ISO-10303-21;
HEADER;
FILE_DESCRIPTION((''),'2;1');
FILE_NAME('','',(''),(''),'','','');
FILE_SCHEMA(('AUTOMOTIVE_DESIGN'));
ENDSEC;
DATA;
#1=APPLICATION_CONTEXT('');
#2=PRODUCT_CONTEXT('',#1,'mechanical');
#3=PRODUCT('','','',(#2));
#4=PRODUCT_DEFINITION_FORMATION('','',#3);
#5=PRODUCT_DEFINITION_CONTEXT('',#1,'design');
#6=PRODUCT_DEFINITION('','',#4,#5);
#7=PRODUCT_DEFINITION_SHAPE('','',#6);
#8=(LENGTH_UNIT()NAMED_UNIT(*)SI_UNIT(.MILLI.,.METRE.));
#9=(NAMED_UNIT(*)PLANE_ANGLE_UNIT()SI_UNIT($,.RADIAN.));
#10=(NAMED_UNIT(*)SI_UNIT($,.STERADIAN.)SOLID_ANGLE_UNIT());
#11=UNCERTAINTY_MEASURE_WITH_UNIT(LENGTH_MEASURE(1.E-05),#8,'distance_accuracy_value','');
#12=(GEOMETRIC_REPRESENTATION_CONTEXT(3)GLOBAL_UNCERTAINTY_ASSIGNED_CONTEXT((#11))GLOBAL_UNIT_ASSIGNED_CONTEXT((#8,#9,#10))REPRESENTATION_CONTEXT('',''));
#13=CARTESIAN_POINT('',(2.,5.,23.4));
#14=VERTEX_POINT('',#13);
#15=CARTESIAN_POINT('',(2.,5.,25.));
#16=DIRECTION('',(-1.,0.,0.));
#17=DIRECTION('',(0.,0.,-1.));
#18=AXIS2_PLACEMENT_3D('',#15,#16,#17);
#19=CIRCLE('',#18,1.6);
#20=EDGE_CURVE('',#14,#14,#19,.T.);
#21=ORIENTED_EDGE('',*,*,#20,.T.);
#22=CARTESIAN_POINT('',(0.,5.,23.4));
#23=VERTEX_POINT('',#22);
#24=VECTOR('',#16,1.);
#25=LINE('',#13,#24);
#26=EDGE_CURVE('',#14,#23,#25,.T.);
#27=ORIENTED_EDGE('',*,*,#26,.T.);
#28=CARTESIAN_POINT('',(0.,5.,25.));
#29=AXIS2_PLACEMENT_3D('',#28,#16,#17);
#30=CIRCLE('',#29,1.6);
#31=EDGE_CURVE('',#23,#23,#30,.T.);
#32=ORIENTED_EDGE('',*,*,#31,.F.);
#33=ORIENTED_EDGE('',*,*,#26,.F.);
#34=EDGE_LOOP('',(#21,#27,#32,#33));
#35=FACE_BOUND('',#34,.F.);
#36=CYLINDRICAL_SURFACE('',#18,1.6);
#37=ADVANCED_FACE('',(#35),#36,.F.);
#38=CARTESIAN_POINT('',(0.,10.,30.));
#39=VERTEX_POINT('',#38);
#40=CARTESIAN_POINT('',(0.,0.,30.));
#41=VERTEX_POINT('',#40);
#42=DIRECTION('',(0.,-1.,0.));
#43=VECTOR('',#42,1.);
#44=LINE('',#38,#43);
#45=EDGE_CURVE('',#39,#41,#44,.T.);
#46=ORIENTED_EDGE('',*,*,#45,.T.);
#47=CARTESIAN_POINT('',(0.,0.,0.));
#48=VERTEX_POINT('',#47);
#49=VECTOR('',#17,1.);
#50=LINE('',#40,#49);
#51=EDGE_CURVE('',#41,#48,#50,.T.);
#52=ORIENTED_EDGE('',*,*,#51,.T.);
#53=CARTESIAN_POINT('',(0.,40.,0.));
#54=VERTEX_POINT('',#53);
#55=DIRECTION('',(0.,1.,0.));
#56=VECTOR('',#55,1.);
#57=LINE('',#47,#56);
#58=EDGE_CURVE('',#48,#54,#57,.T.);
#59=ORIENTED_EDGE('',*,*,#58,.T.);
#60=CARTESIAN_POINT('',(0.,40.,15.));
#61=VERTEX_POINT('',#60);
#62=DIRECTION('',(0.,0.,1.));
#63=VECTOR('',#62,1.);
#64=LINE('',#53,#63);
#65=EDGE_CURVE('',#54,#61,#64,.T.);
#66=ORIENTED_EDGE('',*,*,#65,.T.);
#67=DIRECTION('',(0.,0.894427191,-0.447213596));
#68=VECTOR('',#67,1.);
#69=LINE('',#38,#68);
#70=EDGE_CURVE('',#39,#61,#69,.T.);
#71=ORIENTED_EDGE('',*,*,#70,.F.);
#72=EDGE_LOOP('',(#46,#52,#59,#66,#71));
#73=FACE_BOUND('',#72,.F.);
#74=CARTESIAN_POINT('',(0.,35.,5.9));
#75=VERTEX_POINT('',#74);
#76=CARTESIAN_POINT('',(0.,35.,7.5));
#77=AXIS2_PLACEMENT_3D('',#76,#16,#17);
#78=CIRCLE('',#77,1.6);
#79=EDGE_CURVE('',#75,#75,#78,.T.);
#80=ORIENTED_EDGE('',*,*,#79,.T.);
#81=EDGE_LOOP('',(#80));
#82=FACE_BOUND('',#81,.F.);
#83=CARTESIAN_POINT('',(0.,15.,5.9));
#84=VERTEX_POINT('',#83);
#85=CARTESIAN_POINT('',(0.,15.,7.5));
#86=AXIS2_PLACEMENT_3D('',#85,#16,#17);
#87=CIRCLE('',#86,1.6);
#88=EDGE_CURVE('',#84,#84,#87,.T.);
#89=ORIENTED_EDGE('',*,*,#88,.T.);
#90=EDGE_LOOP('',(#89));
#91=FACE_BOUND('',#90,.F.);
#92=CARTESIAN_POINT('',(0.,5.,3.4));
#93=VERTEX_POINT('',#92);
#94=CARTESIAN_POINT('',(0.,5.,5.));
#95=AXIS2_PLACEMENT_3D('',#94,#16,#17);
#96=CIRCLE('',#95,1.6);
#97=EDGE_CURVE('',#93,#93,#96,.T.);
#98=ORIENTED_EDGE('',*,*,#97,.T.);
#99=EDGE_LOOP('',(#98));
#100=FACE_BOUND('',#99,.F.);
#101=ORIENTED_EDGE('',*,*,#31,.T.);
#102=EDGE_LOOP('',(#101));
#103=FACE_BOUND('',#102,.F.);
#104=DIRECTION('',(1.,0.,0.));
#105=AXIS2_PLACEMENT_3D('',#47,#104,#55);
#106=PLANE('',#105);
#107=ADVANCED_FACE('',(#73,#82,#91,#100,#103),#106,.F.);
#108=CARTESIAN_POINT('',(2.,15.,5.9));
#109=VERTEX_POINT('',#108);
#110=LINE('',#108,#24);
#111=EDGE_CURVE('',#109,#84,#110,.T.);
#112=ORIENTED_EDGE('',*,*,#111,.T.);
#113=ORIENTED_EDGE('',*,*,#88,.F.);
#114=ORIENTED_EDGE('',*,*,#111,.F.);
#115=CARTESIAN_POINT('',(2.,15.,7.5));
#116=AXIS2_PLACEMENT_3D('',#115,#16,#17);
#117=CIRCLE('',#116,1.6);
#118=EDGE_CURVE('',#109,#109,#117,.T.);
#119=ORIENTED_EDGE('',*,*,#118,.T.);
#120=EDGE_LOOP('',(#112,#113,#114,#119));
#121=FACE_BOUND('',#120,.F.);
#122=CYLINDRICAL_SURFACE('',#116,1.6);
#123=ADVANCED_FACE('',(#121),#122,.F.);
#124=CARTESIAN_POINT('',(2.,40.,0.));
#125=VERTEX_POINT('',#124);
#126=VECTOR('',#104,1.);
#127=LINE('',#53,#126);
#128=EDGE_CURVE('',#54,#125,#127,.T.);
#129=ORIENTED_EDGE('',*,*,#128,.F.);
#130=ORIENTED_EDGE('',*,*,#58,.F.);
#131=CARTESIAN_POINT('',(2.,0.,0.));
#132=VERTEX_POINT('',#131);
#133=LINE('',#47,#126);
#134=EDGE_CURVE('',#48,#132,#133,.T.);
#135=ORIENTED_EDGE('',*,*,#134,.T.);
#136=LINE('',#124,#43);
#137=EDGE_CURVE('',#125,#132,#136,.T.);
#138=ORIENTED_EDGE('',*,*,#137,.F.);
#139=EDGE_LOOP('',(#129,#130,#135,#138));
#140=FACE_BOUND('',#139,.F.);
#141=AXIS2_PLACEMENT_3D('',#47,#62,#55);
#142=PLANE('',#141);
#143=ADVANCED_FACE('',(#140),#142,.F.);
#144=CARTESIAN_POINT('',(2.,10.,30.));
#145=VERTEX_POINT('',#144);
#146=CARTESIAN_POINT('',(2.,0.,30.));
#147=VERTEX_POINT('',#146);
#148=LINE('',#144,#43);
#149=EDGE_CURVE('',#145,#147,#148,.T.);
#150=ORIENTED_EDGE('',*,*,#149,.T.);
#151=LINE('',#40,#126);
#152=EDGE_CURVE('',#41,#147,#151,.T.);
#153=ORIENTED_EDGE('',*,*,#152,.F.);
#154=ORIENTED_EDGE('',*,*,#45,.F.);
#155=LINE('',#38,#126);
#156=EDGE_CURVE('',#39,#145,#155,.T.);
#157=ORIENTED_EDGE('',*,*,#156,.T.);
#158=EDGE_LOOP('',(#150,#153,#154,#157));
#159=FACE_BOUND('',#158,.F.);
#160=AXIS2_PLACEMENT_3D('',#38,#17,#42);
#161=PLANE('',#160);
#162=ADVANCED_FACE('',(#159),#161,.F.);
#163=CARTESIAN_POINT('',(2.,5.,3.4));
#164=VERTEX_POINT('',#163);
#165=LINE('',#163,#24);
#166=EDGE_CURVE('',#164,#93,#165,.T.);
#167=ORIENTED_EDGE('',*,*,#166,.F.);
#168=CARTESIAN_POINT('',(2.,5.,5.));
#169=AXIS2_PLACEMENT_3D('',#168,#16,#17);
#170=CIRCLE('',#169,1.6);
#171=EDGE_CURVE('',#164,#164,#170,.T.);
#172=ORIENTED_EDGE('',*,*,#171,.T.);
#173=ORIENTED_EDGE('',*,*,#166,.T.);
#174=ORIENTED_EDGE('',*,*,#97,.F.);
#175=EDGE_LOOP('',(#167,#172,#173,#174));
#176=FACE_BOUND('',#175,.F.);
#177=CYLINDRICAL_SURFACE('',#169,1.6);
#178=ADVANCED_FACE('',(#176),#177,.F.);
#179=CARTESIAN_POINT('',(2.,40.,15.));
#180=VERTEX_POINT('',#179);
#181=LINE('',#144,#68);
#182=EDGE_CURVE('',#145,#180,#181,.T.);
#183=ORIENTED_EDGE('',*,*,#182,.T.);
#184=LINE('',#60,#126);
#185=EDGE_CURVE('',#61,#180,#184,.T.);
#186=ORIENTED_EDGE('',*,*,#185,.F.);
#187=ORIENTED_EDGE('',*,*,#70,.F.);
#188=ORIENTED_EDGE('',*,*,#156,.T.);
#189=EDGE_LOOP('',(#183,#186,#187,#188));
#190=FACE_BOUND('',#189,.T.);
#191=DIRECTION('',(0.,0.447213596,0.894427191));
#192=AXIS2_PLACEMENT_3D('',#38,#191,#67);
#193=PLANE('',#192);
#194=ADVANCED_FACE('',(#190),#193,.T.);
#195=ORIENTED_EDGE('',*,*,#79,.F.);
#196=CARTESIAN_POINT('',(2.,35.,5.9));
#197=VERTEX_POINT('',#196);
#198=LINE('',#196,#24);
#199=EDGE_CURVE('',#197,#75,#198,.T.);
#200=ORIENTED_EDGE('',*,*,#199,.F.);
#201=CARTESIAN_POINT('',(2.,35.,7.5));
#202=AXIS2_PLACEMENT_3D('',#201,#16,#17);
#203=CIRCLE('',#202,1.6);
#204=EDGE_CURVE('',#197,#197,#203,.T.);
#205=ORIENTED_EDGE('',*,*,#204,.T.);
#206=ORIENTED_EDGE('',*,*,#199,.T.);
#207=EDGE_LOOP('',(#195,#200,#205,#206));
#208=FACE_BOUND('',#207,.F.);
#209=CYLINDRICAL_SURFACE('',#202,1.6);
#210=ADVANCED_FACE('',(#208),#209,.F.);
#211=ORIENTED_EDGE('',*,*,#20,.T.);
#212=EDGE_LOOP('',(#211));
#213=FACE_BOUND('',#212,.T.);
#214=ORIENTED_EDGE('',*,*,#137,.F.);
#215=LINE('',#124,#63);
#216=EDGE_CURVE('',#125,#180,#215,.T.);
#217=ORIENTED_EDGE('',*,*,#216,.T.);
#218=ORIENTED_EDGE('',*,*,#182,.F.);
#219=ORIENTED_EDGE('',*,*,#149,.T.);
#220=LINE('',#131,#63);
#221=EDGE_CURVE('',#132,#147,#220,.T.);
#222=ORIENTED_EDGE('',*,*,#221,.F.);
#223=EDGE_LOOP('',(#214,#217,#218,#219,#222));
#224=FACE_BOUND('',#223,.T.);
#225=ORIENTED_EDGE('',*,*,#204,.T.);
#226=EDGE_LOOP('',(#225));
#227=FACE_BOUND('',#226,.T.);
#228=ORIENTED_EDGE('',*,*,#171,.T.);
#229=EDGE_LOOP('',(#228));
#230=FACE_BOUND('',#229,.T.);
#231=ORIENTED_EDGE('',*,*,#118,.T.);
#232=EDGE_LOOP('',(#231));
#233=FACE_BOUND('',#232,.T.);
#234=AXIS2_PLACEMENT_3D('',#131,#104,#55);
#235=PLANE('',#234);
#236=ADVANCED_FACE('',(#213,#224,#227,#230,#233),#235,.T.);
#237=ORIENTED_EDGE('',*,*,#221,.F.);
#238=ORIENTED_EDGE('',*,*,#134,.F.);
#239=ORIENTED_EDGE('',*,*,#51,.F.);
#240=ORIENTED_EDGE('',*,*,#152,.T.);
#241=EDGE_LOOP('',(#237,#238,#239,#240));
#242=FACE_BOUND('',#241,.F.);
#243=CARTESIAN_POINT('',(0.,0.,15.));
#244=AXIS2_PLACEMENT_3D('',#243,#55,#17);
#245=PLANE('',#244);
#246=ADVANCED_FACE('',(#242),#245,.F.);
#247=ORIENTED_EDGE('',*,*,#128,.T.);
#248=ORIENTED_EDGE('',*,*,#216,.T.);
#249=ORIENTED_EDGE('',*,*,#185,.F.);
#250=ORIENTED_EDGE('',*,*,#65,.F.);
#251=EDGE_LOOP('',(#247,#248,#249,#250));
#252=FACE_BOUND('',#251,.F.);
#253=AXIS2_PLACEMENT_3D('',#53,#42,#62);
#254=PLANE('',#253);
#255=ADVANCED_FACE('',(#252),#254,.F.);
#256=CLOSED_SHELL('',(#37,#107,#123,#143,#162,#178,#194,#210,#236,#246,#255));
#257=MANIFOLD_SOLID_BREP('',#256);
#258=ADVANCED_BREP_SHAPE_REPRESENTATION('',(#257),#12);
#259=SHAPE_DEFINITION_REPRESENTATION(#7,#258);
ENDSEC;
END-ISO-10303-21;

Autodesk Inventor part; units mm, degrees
ref_plane "YZ Plane" through (0, 0, 0) normal (1, 0, 0) x (0, 1, 0)
ref_plane "XZ Plane" through (0, 0, 0) normal (0, 1, 0) x (-1, 0, 0)
ref_plane "XY Plane" through (0, 0, 0) normal (0, 0, 1) x (1, 0, 0)
sketch "スケッチ1" plane through (0, 0, 0) normal (1, 0, 0) x (0, 1, 0)
  line L0 (0, 0) -> (40, 0)
  line L1 (40, 0) -> (40, 15)
  line L2 (40, 15) -> (0, 15) construction
  line L3 (0, 15) -> (0, 0)
  line L4 (0, 0) -> (10, 0)
  line L5 (10, 0) -> (10, 30) construction
  line L6 (10, 30) -> (0, 30)
  line L7 (0, 30) -> (0, 0)
  line L8 (10, 30) -> (40, 15)
  dimension "d0" = 15
  dimension "d1" = 10
  dimension "d2" = 30
  dimension "d3" = 30
extrude "押し出し1" add sketch "スケッチ1" along normal blind 2
sketch "スケッチ2" plane through (2, 0, 0) normal (1, 0, 0) x (0, 0, -1)
  line L0 (-30, 10) -> (-30, 0) projected
  line L1 (-30, 5) -> (0, 5) construction
  line L2 (0, 0) -> (0, 40) projected
  line L3 (0, 40) -> (-15, 40) projected
  line L4 (-7.5, 40) -> (-7.5, 0) construction
  line L5 (-30, 0) -> (0, 0) projected
  point P0 (-25, 5)
  point P1 (-5, 5)
  point P2 (-7.5, 15)
  point P3 (-7.5, 35)
  dimension "d6" = 20
  dimension "d7" = 5
  dimension "d8" = 20
  dimension "d9" = 5
hole "穴1" at (2, 5, 25) at (2, 5, 5) at (2, 15, 7.5) at (2, 35, 7.5) direction (-1, 0, 0) diameter 3.2 end through all
properties part number "FrameJoint1015" material "アルミニウム 6061"
